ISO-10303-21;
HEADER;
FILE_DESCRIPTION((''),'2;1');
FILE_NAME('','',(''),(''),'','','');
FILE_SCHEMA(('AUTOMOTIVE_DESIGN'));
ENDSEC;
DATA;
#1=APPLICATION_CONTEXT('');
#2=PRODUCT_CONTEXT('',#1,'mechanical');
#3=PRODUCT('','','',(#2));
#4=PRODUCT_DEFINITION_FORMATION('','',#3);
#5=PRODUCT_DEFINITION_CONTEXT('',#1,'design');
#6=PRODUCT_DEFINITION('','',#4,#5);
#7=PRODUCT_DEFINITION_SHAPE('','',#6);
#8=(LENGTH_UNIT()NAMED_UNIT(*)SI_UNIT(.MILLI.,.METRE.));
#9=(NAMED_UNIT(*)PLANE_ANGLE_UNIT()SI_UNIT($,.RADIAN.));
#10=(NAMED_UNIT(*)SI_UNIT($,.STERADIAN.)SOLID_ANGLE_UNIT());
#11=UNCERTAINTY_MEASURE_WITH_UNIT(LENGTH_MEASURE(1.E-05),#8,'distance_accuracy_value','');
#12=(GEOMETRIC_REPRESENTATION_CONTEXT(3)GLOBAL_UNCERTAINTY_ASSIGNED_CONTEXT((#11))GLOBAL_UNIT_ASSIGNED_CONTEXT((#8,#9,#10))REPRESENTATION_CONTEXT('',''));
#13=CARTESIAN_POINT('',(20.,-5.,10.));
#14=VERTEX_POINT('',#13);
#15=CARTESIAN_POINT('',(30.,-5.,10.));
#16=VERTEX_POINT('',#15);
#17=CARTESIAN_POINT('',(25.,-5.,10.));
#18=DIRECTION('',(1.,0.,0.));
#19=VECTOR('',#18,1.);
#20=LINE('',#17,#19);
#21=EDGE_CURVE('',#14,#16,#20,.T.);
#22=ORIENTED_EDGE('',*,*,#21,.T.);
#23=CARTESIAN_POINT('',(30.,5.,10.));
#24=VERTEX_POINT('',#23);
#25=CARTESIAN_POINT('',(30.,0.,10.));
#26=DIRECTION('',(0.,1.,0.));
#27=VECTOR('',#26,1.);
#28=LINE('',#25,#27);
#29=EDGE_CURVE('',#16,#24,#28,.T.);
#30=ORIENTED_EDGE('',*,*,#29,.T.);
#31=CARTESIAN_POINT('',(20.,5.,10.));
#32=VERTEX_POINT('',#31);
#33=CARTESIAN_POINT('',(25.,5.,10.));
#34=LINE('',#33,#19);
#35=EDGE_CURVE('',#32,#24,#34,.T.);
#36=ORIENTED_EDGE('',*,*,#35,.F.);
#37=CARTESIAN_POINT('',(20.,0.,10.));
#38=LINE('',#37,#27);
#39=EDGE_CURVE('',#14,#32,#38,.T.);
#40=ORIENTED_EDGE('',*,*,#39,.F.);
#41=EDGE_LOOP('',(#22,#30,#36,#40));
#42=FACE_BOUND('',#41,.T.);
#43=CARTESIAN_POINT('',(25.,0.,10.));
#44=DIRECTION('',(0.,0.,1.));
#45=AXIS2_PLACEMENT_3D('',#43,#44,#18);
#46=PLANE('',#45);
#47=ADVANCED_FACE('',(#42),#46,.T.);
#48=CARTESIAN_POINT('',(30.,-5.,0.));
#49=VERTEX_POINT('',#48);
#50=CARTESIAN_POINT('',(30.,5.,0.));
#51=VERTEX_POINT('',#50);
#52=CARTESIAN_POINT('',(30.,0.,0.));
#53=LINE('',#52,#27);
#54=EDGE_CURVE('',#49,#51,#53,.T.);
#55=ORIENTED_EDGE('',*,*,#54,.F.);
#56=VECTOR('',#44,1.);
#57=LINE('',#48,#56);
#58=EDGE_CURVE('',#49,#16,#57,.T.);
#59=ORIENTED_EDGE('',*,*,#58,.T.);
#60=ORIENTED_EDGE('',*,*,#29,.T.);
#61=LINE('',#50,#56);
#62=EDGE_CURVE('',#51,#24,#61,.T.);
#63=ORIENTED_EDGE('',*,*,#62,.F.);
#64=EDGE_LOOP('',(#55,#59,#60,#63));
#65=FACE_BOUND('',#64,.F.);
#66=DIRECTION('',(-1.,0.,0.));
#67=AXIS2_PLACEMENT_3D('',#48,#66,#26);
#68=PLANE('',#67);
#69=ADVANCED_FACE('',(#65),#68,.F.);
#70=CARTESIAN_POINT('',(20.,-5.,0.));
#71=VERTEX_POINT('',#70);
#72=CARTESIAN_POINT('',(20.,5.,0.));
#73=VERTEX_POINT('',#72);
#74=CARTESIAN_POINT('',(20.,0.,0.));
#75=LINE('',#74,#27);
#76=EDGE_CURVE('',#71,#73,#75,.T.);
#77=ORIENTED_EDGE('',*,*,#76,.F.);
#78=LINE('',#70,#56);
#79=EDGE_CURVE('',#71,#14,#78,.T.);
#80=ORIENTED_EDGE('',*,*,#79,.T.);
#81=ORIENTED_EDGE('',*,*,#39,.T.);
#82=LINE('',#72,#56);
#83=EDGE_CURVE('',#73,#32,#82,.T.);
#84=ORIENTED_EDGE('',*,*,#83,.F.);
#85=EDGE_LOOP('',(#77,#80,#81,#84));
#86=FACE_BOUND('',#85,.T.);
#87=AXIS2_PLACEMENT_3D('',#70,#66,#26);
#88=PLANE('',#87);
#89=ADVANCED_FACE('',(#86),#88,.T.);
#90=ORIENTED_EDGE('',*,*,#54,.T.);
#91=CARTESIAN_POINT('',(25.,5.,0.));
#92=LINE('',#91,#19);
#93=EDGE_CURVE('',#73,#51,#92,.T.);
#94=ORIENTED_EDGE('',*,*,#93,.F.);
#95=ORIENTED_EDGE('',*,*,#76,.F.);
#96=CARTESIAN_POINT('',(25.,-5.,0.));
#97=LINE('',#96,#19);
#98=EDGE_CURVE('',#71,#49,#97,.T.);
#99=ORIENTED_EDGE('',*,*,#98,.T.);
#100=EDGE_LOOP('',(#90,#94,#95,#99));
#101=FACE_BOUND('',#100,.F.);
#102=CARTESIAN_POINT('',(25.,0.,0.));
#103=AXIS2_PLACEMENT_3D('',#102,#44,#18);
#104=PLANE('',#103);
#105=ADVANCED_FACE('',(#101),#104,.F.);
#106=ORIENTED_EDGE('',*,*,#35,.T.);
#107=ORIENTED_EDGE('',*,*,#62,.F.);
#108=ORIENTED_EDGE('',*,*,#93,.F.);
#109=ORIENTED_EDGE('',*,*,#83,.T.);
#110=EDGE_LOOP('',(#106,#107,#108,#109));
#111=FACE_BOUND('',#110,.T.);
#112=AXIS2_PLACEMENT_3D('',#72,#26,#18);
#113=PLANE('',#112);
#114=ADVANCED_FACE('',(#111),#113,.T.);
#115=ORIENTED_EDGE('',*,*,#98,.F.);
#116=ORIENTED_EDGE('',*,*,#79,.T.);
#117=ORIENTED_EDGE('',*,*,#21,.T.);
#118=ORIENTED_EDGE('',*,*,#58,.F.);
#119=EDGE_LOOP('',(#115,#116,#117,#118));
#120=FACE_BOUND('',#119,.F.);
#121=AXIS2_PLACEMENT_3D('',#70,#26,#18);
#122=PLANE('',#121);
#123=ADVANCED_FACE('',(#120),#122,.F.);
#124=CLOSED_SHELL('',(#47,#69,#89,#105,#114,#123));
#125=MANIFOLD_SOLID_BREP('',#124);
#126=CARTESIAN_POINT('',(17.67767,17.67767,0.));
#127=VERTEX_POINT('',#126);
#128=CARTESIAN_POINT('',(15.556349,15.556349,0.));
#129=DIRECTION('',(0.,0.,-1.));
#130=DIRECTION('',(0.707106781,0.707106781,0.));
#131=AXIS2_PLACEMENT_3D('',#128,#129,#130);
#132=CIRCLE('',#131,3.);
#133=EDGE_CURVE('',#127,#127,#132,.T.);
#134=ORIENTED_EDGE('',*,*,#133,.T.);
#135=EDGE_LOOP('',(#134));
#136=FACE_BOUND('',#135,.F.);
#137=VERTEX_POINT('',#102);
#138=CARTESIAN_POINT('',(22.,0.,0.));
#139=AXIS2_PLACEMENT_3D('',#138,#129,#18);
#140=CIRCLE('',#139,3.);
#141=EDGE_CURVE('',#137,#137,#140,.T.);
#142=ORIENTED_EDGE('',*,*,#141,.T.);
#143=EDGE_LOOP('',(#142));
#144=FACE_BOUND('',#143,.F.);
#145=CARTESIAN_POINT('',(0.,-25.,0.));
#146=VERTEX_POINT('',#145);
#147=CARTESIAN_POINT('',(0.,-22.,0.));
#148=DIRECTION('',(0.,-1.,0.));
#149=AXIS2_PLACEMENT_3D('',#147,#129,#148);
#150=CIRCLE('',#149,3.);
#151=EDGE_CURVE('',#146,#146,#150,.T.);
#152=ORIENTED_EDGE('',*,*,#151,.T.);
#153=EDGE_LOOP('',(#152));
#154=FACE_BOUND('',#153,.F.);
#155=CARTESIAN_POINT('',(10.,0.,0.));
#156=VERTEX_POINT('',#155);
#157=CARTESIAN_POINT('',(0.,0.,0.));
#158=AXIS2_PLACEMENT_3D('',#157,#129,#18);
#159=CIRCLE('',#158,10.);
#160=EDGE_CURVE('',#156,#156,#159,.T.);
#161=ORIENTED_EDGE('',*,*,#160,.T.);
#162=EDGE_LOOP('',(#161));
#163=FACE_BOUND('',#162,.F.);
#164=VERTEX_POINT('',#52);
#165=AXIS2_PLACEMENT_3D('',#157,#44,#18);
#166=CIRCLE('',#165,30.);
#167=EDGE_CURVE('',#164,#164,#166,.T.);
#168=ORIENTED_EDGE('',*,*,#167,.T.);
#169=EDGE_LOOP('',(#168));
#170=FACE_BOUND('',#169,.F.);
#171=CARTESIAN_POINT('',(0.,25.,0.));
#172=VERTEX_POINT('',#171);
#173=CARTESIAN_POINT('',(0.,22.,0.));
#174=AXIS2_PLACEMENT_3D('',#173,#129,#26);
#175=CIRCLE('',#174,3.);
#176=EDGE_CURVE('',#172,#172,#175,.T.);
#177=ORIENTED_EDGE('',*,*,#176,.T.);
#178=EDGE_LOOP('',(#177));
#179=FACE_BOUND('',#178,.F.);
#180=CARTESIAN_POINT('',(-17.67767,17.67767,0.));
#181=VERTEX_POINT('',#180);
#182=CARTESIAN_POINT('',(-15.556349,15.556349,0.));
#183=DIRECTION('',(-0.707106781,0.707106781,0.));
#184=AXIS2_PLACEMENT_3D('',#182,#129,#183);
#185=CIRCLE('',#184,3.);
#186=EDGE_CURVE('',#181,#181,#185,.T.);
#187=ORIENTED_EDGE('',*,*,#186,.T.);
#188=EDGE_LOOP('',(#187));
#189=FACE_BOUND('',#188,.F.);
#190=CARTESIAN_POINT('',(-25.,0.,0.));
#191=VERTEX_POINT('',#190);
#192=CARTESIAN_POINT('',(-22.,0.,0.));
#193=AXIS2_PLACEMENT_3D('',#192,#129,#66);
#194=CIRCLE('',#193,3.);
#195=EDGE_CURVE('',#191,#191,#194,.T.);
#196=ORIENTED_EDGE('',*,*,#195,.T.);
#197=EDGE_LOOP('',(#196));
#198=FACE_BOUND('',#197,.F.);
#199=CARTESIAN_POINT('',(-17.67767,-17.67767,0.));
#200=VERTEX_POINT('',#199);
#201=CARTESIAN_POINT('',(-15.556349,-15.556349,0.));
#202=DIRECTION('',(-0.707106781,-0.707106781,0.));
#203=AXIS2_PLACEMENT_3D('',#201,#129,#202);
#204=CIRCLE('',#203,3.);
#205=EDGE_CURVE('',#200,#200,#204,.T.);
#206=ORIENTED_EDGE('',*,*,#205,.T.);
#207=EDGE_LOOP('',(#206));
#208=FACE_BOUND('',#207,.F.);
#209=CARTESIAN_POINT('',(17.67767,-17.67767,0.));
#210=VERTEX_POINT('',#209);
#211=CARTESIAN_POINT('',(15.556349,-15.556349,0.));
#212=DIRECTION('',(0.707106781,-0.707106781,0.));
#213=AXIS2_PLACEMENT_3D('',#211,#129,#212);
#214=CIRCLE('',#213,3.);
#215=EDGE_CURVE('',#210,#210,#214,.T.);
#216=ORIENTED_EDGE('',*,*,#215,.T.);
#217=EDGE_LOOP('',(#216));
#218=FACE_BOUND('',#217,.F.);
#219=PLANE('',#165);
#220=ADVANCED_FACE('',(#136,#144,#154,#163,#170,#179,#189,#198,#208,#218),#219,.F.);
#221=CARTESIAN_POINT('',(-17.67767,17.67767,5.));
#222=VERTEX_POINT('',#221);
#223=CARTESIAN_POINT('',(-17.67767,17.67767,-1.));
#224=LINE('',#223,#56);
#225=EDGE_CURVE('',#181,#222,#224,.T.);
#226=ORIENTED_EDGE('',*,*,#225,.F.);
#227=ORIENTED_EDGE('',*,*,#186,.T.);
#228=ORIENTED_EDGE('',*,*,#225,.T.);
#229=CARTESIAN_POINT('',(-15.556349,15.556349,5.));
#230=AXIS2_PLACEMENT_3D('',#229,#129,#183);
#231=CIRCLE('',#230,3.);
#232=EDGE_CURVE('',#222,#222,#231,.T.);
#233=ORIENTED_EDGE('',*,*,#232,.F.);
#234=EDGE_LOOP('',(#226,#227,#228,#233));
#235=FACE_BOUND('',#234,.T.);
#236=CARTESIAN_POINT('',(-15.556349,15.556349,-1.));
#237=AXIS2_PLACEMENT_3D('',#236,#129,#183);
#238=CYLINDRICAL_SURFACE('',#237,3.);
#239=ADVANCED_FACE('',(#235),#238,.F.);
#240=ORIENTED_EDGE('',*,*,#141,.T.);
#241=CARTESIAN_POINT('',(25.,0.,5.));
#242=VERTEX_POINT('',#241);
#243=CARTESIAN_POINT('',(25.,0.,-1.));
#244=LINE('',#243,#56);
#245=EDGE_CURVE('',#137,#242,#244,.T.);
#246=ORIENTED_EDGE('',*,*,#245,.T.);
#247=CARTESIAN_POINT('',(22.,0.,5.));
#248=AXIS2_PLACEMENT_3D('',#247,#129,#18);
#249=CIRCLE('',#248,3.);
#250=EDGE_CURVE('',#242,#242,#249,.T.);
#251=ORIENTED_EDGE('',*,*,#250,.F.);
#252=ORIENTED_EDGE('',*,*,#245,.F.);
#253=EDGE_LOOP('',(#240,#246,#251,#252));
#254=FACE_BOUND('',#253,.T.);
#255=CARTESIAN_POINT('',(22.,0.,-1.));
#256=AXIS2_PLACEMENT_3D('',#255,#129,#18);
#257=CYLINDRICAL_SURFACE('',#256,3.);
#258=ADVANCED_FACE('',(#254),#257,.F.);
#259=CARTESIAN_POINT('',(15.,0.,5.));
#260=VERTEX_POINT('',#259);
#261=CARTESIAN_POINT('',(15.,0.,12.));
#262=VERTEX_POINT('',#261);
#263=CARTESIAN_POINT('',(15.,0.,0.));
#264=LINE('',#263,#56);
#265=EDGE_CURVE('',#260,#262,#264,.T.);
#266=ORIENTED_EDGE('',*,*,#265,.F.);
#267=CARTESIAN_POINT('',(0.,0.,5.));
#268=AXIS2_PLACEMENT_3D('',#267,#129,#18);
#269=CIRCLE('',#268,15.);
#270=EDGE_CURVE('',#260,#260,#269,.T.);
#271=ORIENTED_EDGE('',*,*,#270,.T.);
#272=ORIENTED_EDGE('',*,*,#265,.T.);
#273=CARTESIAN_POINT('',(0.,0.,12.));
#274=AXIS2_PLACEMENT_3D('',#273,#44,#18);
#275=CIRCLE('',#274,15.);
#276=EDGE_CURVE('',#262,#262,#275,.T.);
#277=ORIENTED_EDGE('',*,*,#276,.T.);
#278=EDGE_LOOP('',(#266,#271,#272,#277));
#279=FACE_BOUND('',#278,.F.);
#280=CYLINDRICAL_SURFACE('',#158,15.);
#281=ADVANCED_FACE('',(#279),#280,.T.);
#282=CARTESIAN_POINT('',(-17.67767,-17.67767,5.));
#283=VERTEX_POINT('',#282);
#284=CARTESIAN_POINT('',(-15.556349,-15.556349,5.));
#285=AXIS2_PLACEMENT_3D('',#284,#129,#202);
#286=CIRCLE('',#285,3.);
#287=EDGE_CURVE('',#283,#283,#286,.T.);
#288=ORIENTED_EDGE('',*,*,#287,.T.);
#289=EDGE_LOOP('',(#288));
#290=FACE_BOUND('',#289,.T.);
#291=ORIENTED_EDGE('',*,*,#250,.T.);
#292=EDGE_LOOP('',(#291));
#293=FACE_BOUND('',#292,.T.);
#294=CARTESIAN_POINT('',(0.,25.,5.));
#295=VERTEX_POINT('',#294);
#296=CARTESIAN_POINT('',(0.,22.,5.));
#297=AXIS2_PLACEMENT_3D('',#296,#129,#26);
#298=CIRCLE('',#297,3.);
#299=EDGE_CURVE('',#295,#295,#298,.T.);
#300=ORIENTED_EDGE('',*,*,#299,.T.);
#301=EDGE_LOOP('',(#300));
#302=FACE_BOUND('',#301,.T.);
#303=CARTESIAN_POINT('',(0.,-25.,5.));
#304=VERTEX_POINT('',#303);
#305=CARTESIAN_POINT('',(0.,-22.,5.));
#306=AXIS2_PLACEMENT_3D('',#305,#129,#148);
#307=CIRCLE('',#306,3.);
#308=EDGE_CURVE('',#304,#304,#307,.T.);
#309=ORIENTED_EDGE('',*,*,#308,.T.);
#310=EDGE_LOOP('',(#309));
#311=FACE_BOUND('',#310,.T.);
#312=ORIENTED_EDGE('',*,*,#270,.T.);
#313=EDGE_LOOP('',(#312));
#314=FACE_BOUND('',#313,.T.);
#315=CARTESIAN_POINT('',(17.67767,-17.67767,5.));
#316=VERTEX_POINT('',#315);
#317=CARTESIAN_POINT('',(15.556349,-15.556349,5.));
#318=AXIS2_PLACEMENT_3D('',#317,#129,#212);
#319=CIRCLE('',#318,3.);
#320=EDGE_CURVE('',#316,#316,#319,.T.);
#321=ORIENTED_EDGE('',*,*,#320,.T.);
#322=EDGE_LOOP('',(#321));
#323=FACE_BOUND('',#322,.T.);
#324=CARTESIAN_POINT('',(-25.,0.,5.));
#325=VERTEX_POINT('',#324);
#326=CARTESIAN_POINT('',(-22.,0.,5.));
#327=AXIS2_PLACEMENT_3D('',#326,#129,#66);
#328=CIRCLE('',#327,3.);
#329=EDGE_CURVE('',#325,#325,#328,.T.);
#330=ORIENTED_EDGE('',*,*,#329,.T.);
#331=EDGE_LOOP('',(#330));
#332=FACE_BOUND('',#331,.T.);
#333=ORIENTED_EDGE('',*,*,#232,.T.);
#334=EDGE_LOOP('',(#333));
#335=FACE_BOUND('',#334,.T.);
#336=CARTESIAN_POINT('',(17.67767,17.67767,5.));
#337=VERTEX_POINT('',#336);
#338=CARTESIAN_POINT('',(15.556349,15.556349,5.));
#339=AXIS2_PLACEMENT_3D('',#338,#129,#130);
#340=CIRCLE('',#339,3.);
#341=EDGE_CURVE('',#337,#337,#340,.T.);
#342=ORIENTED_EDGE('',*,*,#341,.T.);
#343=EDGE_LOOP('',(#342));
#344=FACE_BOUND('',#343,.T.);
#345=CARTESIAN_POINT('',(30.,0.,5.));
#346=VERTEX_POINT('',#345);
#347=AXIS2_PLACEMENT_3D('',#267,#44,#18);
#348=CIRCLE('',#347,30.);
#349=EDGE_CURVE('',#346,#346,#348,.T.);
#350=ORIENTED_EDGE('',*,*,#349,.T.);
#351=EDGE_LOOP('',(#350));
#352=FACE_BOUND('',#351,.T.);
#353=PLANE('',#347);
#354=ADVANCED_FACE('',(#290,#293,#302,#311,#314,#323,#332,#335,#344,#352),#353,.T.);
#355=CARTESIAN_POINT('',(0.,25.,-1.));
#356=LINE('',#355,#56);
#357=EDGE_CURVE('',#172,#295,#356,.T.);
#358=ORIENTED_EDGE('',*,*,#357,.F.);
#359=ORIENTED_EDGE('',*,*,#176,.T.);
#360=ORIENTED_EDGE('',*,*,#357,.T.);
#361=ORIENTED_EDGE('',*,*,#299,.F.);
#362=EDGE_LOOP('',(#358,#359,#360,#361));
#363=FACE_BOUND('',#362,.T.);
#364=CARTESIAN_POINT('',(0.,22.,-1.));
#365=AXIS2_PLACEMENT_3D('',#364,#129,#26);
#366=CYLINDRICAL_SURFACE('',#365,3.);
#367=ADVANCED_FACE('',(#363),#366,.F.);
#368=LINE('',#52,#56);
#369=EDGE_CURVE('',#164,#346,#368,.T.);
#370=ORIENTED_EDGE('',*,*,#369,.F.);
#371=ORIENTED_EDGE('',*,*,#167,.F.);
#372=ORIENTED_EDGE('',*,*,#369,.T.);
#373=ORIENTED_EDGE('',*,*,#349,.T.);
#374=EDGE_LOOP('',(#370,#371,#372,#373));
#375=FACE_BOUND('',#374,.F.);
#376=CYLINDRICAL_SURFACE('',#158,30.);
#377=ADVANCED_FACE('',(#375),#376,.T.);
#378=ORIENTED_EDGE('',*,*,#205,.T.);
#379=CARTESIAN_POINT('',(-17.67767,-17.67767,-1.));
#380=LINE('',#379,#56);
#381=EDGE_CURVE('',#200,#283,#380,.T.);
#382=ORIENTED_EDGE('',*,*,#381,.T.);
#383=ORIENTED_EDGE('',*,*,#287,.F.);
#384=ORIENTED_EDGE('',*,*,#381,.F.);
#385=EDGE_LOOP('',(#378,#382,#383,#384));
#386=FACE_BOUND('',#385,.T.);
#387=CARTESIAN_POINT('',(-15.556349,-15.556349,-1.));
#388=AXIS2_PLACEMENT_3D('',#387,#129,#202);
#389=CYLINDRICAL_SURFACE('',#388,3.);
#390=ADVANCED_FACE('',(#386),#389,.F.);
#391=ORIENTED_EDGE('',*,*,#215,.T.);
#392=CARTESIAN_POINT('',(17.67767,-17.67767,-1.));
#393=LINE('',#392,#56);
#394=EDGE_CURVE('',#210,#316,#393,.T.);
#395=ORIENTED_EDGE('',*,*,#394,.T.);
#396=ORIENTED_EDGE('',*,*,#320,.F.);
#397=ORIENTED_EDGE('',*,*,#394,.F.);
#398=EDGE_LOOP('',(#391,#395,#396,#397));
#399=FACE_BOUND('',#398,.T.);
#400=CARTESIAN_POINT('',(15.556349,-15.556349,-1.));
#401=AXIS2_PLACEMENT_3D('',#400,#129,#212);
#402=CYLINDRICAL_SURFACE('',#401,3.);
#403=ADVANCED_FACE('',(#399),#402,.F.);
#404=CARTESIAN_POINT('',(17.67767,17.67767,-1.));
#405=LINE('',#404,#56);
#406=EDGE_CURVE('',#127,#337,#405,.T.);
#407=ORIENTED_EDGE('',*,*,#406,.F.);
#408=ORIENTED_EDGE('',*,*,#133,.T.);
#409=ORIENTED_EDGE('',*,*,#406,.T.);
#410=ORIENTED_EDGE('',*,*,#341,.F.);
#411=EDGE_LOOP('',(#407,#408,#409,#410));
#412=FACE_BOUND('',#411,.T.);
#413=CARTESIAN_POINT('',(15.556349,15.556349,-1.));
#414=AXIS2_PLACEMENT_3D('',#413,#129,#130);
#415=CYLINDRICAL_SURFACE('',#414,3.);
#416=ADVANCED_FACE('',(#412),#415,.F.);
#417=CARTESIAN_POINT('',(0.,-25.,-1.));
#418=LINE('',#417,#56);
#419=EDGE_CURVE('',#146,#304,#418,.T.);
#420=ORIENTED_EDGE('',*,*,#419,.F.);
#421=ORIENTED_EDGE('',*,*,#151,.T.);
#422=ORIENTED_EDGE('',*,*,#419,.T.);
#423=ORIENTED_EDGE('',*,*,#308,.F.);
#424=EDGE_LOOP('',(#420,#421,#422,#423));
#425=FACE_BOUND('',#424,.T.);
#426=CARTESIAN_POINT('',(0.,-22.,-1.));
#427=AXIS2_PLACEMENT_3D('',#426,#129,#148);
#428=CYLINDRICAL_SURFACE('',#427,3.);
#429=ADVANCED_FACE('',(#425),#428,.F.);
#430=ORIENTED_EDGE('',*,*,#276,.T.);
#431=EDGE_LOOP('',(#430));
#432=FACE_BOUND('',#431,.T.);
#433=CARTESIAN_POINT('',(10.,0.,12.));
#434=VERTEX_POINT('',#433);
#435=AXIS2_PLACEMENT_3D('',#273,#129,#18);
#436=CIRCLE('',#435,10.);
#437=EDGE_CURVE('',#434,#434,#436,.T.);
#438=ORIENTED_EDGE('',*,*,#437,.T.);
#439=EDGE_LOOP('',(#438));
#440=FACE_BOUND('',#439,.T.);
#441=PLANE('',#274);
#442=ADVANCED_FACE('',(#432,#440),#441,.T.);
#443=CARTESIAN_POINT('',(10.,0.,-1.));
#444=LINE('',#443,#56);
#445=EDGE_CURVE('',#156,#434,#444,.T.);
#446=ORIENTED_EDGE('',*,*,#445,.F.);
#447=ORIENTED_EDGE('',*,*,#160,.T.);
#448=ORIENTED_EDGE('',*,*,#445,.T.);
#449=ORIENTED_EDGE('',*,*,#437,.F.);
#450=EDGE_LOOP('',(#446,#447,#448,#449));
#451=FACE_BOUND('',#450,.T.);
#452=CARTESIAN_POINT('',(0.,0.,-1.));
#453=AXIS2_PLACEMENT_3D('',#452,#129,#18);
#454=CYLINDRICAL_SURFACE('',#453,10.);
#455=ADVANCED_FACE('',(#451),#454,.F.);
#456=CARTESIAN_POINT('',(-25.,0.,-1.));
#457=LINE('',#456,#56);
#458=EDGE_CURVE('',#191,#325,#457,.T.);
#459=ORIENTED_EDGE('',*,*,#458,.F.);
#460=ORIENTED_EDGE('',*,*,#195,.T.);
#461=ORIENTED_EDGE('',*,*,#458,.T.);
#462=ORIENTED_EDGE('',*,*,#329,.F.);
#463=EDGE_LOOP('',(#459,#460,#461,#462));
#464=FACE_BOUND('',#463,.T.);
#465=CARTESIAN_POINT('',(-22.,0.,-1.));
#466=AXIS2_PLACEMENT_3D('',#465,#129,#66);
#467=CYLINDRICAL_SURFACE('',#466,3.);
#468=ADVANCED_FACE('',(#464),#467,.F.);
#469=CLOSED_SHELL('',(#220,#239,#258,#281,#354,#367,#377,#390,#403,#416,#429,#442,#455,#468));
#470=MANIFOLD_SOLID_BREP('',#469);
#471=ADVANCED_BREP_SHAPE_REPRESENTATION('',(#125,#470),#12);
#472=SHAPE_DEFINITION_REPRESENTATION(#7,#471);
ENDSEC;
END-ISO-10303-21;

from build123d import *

# Parameters (mm, degrees)
BOX_W             = 10
BOX_H             = 10
BOX_DEPTH         = 10
CYLINDER003_R     = 3
CYLINDER003_DEPTH = 10
ARRAY_COUNT       = 8
CYLINDER002_R     = 10
CYLINDER002_DEPTH = 30
CYLINDER001_R     = 15
CYLINDER001_DEPTH = 12
CYLINDER_R        = 30
CYLINDER_DEPTH    = 5


with BuildPart() as cub:
    # Box → Box (new body)
    with BuildSketch(Plane(origin=(20, -5, 0), x_dir=(1, 0, 0), z_dir=(0, 0, 1))):
        with Locations((5, 5)):
            Rectangle(BOX_W, BOX_H)
    extrude(amount=BOX_DEPTH)


with BuildPart() as array:
    # Cylinder003 → Cylinder003 (new body)
    with BuildSketch(Plane(origin=(22, 0, -1), x_dir=(1, 0, 0), z_dir=(0, 0, 1))):
        Circle(CYLINDER003_R)
    extrude(amount=CYLINDER003_DEPTH)

    # Array: Array ×8 about axis
    array_axis = Axis((0, 0, 0), (0, 0, 1))


with BuildPart() as array_1:
    add(array.part)
    for i in range(1, ARRAY_COUNT):
        add(array.part.rotate(array_axis, i * 360 / ARRAY_COUNT))


with BuildPart() as tub_interior:
    # Cylinder002 → Cylinder002 (new body)
    with BuildSketch(Plane.XY.offset(-1)):
        Circle(CYLINDER002_R)
    extrude(amount=CYLINDER002_DEPTH)


with BuildPart() as tub_exterior:
    # Cylinder001 → Cylinder001 (new body)
    with BuildSketch(Plane.XY):
        Circle(CYLINDER001_R)
    extrude(amount=CYLINDER001_DEPTH)


with BuildPart() as cut001:
    # Cylinder → Cylinder (new body)
    with BuildSketch(Plane.XY):
        Circle(CYLINDER_R)
    extrude(amount=CYLINDER_DEPTH)

    # Fusion: union tub exterior
    add(tub_exterior.part)

    # Cut: cut tub interior
    add(tub_interior.part, mode=Mode.SUBTRACT)

    # Cut001: cut Array
    add(array_1.part, mode=Mode.SUBTRACT)


solid = Compound([cub.part, cut001.part])
